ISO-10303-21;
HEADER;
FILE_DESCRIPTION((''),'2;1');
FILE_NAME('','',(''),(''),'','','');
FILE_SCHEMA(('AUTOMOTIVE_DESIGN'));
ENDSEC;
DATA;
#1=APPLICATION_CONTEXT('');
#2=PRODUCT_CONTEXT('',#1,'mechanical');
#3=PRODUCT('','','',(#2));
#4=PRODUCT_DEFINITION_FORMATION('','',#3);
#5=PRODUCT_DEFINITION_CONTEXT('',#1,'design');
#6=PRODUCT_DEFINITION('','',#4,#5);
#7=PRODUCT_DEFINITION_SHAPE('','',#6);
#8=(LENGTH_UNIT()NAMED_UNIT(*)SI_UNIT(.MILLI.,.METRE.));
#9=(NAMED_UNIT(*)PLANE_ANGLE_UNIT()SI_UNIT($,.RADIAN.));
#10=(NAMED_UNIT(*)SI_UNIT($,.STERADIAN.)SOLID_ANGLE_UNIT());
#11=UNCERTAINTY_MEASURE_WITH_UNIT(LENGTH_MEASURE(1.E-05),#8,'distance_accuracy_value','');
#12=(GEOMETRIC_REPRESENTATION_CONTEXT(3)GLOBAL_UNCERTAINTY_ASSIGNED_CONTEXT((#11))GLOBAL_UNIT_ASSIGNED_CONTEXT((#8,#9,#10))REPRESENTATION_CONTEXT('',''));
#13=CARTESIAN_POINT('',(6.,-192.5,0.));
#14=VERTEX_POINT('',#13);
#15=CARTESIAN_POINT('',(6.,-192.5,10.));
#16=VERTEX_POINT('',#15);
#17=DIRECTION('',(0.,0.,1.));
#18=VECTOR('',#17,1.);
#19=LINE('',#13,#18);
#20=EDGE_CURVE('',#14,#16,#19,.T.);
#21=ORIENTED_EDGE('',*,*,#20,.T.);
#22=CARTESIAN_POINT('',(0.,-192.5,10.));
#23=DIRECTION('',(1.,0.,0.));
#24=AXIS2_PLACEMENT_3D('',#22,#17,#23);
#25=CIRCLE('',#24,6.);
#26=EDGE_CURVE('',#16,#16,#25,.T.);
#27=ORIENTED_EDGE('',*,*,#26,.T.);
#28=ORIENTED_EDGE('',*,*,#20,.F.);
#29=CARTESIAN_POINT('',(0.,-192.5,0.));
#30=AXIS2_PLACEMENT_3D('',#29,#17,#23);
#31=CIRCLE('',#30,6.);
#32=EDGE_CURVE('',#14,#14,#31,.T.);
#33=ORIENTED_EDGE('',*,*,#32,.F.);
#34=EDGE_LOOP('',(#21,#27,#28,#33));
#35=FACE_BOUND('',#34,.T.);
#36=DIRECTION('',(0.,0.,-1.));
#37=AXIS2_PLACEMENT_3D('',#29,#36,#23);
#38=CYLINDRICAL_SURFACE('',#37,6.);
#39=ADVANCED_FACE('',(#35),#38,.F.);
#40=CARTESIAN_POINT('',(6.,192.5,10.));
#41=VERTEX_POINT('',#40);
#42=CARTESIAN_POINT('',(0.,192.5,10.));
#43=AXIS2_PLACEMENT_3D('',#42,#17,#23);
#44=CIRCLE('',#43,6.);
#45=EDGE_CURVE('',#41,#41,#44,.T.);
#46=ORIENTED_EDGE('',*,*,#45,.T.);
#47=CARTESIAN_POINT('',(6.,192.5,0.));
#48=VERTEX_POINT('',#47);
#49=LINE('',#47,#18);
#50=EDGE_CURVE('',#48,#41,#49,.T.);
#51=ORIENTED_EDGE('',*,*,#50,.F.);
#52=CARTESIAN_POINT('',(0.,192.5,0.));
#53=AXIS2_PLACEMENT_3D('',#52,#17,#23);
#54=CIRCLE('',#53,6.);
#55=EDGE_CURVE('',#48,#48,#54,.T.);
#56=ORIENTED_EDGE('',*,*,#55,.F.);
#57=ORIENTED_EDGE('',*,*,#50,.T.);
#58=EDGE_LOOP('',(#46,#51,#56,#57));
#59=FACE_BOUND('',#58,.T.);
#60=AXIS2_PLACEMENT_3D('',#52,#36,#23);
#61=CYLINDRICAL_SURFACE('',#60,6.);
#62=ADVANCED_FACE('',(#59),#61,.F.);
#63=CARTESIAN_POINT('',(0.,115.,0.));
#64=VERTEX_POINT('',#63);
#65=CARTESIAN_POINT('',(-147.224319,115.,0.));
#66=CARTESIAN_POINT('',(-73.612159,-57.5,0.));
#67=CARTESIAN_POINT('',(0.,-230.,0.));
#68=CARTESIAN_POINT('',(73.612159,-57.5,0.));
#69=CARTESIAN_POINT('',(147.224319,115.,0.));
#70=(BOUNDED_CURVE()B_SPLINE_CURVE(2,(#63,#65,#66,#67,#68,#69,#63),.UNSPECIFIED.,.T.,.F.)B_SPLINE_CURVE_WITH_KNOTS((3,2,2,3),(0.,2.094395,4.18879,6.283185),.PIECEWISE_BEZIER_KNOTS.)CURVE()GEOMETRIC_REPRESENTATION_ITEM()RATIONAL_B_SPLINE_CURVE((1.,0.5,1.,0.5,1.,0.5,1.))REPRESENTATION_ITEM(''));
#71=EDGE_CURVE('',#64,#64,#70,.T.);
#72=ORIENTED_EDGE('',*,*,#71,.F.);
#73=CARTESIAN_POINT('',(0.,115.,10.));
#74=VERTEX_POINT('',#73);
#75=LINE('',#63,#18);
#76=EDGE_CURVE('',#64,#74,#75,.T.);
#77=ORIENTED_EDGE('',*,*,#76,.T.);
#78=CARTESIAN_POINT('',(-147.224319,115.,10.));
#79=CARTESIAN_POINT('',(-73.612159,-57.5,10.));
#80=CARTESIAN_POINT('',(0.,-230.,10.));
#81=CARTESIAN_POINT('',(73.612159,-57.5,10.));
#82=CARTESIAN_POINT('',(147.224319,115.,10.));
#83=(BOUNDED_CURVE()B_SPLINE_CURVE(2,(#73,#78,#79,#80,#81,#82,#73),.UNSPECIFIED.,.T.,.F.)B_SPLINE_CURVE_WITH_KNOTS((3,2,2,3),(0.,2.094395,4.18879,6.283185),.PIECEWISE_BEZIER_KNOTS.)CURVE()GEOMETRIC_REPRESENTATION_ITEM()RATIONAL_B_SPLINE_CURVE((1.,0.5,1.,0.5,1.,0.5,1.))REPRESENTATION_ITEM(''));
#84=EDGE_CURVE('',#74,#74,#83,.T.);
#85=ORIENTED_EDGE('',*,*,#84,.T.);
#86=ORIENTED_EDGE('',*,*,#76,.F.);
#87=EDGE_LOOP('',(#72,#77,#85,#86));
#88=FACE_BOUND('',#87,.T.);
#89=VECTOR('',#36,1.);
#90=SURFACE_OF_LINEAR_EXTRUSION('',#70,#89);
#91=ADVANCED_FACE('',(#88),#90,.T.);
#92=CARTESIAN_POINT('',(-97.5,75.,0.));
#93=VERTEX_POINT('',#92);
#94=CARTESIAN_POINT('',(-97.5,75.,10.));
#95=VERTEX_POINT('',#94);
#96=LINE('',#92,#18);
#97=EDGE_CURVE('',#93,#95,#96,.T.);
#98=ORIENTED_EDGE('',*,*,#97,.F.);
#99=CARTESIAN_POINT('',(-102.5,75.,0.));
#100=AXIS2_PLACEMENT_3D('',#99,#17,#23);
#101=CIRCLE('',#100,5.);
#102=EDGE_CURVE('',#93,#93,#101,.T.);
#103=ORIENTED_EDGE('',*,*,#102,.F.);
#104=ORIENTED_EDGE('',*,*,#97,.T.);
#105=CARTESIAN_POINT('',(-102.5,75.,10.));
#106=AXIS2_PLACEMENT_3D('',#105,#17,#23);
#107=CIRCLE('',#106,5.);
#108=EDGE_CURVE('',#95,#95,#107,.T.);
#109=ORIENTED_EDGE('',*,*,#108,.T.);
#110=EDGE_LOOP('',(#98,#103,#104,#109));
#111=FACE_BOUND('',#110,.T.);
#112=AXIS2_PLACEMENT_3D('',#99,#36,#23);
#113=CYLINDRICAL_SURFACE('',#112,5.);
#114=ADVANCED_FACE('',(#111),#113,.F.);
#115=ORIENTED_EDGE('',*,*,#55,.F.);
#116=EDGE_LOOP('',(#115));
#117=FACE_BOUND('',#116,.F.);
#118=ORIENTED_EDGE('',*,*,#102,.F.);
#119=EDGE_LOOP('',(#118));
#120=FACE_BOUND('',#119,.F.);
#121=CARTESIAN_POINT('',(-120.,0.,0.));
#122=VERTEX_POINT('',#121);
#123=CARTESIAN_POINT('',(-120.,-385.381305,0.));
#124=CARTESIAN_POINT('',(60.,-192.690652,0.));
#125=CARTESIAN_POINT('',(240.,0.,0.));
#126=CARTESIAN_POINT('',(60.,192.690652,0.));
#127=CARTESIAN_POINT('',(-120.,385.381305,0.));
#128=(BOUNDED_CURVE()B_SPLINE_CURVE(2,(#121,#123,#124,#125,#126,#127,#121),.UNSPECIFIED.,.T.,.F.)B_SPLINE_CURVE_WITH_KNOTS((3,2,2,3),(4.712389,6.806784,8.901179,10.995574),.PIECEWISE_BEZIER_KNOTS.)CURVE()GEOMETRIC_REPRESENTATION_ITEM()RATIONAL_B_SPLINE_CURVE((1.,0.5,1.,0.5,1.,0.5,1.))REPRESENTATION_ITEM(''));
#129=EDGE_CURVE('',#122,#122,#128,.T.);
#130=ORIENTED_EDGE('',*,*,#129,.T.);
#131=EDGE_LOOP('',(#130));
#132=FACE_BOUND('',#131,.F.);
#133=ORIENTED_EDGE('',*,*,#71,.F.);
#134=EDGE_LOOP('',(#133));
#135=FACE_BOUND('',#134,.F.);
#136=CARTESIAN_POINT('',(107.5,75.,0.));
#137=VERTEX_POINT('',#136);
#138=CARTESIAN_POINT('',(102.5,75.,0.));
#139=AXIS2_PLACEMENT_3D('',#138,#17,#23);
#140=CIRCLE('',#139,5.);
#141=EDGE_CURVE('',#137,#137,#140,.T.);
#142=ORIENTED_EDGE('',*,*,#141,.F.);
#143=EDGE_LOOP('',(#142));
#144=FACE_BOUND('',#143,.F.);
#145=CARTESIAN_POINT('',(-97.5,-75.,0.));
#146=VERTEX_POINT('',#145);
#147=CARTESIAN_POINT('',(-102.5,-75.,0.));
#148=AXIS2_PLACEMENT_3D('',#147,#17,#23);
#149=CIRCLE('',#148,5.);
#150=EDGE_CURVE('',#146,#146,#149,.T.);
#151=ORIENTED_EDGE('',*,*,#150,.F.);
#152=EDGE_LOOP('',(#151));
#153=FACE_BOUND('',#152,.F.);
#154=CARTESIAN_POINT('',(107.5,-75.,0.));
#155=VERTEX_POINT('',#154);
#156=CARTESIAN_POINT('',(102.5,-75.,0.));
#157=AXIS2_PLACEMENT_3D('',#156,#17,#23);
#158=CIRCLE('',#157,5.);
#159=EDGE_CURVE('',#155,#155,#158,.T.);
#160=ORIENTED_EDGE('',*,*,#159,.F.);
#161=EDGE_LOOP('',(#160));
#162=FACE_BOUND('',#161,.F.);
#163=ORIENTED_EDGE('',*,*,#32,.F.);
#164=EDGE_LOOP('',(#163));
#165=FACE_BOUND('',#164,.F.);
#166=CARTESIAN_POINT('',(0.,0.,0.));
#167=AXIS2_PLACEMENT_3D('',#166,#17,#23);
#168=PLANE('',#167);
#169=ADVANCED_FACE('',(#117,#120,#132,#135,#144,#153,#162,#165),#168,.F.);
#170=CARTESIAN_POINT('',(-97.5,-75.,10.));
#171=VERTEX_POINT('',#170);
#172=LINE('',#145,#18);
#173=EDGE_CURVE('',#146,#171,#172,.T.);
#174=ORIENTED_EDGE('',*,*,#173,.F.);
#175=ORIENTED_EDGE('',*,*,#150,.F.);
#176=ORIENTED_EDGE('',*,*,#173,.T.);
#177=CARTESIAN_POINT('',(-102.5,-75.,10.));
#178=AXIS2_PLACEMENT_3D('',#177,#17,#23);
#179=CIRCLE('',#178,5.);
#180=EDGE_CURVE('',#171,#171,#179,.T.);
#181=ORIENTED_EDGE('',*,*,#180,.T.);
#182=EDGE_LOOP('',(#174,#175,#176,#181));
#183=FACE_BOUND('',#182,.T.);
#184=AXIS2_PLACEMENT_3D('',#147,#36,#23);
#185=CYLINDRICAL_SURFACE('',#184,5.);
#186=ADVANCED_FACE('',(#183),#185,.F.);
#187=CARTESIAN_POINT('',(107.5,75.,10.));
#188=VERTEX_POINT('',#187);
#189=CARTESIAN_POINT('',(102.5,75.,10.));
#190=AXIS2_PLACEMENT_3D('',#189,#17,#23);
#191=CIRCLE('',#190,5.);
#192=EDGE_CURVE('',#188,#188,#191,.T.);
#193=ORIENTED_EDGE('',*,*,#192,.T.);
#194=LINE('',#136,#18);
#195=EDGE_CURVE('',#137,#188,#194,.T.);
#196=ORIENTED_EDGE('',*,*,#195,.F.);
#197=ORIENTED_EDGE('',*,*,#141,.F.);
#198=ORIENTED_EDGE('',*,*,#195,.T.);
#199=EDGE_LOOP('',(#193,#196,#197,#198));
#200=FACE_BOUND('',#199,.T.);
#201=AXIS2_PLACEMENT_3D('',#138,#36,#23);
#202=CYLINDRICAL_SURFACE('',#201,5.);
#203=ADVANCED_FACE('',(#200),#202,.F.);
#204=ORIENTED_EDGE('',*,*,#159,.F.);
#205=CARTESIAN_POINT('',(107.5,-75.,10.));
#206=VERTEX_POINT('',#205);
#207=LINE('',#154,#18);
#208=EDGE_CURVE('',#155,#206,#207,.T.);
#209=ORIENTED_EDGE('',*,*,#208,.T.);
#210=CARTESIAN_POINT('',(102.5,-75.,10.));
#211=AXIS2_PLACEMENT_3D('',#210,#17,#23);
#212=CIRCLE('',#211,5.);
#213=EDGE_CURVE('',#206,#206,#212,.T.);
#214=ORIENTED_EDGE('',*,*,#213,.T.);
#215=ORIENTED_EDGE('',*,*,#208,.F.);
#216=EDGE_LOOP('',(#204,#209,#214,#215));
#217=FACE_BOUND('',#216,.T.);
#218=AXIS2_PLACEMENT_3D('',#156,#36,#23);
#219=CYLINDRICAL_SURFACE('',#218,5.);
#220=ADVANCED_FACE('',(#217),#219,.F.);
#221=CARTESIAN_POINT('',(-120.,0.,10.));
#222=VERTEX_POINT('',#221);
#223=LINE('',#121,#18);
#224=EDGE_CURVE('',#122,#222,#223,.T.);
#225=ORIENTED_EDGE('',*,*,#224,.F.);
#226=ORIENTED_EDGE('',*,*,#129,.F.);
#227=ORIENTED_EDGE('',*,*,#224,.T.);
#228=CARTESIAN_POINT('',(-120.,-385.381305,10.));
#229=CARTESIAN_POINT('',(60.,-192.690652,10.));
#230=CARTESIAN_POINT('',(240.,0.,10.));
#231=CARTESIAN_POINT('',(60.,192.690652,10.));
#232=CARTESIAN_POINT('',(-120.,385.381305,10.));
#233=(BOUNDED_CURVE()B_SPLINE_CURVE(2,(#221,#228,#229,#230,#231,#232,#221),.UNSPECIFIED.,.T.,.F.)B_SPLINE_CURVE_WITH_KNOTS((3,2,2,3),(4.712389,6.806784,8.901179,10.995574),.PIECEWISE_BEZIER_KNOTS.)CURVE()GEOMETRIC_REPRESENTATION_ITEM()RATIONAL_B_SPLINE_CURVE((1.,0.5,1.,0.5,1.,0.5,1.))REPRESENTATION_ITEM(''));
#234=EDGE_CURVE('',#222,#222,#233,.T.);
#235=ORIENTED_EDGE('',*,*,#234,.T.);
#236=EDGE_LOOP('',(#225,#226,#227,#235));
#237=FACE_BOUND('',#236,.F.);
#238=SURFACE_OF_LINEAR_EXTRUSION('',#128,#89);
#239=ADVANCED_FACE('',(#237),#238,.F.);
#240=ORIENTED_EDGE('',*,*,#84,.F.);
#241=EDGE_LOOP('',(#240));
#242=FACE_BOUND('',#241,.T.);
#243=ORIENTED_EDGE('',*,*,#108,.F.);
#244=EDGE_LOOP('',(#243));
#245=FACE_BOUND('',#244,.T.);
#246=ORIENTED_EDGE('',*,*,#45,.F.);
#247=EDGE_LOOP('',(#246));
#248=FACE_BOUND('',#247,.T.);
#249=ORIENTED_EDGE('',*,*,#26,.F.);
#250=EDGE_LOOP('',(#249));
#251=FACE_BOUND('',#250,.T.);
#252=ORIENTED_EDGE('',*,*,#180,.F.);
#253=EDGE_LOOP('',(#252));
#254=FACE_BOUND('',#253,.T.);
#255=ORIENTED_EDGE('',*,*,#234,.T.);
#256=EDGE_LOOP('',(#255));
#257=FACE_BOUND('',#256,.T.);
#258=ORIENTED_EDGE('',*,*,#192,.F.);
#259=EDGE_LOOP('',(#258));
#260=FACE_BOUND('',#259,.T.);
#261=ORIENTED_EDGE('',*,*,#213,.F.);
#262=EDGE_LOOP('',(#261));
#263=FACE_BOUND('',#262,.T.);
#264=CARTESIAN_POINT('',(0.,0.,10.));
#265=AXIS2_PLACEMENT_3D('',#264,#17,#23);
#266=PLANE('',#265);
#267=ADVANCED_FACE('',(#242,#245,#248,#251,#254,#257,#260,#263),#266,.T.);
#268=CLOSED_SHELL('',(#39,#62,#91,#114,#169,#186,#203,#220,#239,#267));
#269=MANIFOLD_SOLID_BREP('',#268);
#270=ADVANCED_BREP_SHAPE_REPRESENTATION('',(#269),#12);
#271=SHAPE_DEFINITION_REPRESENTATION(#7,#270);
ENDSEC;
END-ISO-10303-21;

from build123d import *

# Parameters (mm, degrees)
F0_R     = 5
F0_R_2   = 6
F1_DEPTH = 10


with BuildPart() as f1:
    # F0 (on Top) → F1 (new body)
    with BuildSketch(Plane.XY):
        with BuildLine():
            add(Edge.make_bspline(
                [(-120, 0), (-120, -385.381305), (60, -192.690652), (240, 0), (60, 192.690652), (-120, 385.381305), (-120, 0)],
                knots=[4.712389, 4.712389, 4.712389, 6.806784, 6.806784, 8.901179, 8.901179, 10.995574, 10.995574, 10.995574], degree=2, weights=[1, 0.5, 1, 0.5, 1, 0.5, 1]))
        make_face()
        with Locations((-102.5, -75)):
            Circle(F0_R, mode=Mode.SUBTRACT)
        with Locations((0, -192.5)):
            Circle(F0_R_2, mode=Mode.SUBTRACT)
        with Locations((102.5, -75)):
            Circle(F0_R, mode=Mode.SUBTRACT)
        with Locations((-102.5, 75)):
            Circle(F0_R, mode=Mode.SUBTRACT)
        with BuildLine():
            add(Edge.make_bspline(
                [(0, 115), (-147.224319, 115), (-73.612159, -57.5), (0, -230), (73.612159, -57.5), (147.224319, 115), (0, 115)],
                knots=[0, 0, 0, 2.094395, 2.094395, 4.18879, 4.18879, 6.283185, 6.283185, 6.283185], degree=2, weights=[1, 0.5, 1, 0.5, 1, 0.5, 1]))
        make_face(mode=Mode.SUBTRACT)
        with Locations((102.5, 75)):
            Circle(F0_R, mode=Mode.SUBTRACT)
        with Locations((0, 192.5)):
            Circle(F0_R_2, mode=Mode.SUBTRACT)
    extrude(amount=F1_DEPTH)


solid = f1.part
